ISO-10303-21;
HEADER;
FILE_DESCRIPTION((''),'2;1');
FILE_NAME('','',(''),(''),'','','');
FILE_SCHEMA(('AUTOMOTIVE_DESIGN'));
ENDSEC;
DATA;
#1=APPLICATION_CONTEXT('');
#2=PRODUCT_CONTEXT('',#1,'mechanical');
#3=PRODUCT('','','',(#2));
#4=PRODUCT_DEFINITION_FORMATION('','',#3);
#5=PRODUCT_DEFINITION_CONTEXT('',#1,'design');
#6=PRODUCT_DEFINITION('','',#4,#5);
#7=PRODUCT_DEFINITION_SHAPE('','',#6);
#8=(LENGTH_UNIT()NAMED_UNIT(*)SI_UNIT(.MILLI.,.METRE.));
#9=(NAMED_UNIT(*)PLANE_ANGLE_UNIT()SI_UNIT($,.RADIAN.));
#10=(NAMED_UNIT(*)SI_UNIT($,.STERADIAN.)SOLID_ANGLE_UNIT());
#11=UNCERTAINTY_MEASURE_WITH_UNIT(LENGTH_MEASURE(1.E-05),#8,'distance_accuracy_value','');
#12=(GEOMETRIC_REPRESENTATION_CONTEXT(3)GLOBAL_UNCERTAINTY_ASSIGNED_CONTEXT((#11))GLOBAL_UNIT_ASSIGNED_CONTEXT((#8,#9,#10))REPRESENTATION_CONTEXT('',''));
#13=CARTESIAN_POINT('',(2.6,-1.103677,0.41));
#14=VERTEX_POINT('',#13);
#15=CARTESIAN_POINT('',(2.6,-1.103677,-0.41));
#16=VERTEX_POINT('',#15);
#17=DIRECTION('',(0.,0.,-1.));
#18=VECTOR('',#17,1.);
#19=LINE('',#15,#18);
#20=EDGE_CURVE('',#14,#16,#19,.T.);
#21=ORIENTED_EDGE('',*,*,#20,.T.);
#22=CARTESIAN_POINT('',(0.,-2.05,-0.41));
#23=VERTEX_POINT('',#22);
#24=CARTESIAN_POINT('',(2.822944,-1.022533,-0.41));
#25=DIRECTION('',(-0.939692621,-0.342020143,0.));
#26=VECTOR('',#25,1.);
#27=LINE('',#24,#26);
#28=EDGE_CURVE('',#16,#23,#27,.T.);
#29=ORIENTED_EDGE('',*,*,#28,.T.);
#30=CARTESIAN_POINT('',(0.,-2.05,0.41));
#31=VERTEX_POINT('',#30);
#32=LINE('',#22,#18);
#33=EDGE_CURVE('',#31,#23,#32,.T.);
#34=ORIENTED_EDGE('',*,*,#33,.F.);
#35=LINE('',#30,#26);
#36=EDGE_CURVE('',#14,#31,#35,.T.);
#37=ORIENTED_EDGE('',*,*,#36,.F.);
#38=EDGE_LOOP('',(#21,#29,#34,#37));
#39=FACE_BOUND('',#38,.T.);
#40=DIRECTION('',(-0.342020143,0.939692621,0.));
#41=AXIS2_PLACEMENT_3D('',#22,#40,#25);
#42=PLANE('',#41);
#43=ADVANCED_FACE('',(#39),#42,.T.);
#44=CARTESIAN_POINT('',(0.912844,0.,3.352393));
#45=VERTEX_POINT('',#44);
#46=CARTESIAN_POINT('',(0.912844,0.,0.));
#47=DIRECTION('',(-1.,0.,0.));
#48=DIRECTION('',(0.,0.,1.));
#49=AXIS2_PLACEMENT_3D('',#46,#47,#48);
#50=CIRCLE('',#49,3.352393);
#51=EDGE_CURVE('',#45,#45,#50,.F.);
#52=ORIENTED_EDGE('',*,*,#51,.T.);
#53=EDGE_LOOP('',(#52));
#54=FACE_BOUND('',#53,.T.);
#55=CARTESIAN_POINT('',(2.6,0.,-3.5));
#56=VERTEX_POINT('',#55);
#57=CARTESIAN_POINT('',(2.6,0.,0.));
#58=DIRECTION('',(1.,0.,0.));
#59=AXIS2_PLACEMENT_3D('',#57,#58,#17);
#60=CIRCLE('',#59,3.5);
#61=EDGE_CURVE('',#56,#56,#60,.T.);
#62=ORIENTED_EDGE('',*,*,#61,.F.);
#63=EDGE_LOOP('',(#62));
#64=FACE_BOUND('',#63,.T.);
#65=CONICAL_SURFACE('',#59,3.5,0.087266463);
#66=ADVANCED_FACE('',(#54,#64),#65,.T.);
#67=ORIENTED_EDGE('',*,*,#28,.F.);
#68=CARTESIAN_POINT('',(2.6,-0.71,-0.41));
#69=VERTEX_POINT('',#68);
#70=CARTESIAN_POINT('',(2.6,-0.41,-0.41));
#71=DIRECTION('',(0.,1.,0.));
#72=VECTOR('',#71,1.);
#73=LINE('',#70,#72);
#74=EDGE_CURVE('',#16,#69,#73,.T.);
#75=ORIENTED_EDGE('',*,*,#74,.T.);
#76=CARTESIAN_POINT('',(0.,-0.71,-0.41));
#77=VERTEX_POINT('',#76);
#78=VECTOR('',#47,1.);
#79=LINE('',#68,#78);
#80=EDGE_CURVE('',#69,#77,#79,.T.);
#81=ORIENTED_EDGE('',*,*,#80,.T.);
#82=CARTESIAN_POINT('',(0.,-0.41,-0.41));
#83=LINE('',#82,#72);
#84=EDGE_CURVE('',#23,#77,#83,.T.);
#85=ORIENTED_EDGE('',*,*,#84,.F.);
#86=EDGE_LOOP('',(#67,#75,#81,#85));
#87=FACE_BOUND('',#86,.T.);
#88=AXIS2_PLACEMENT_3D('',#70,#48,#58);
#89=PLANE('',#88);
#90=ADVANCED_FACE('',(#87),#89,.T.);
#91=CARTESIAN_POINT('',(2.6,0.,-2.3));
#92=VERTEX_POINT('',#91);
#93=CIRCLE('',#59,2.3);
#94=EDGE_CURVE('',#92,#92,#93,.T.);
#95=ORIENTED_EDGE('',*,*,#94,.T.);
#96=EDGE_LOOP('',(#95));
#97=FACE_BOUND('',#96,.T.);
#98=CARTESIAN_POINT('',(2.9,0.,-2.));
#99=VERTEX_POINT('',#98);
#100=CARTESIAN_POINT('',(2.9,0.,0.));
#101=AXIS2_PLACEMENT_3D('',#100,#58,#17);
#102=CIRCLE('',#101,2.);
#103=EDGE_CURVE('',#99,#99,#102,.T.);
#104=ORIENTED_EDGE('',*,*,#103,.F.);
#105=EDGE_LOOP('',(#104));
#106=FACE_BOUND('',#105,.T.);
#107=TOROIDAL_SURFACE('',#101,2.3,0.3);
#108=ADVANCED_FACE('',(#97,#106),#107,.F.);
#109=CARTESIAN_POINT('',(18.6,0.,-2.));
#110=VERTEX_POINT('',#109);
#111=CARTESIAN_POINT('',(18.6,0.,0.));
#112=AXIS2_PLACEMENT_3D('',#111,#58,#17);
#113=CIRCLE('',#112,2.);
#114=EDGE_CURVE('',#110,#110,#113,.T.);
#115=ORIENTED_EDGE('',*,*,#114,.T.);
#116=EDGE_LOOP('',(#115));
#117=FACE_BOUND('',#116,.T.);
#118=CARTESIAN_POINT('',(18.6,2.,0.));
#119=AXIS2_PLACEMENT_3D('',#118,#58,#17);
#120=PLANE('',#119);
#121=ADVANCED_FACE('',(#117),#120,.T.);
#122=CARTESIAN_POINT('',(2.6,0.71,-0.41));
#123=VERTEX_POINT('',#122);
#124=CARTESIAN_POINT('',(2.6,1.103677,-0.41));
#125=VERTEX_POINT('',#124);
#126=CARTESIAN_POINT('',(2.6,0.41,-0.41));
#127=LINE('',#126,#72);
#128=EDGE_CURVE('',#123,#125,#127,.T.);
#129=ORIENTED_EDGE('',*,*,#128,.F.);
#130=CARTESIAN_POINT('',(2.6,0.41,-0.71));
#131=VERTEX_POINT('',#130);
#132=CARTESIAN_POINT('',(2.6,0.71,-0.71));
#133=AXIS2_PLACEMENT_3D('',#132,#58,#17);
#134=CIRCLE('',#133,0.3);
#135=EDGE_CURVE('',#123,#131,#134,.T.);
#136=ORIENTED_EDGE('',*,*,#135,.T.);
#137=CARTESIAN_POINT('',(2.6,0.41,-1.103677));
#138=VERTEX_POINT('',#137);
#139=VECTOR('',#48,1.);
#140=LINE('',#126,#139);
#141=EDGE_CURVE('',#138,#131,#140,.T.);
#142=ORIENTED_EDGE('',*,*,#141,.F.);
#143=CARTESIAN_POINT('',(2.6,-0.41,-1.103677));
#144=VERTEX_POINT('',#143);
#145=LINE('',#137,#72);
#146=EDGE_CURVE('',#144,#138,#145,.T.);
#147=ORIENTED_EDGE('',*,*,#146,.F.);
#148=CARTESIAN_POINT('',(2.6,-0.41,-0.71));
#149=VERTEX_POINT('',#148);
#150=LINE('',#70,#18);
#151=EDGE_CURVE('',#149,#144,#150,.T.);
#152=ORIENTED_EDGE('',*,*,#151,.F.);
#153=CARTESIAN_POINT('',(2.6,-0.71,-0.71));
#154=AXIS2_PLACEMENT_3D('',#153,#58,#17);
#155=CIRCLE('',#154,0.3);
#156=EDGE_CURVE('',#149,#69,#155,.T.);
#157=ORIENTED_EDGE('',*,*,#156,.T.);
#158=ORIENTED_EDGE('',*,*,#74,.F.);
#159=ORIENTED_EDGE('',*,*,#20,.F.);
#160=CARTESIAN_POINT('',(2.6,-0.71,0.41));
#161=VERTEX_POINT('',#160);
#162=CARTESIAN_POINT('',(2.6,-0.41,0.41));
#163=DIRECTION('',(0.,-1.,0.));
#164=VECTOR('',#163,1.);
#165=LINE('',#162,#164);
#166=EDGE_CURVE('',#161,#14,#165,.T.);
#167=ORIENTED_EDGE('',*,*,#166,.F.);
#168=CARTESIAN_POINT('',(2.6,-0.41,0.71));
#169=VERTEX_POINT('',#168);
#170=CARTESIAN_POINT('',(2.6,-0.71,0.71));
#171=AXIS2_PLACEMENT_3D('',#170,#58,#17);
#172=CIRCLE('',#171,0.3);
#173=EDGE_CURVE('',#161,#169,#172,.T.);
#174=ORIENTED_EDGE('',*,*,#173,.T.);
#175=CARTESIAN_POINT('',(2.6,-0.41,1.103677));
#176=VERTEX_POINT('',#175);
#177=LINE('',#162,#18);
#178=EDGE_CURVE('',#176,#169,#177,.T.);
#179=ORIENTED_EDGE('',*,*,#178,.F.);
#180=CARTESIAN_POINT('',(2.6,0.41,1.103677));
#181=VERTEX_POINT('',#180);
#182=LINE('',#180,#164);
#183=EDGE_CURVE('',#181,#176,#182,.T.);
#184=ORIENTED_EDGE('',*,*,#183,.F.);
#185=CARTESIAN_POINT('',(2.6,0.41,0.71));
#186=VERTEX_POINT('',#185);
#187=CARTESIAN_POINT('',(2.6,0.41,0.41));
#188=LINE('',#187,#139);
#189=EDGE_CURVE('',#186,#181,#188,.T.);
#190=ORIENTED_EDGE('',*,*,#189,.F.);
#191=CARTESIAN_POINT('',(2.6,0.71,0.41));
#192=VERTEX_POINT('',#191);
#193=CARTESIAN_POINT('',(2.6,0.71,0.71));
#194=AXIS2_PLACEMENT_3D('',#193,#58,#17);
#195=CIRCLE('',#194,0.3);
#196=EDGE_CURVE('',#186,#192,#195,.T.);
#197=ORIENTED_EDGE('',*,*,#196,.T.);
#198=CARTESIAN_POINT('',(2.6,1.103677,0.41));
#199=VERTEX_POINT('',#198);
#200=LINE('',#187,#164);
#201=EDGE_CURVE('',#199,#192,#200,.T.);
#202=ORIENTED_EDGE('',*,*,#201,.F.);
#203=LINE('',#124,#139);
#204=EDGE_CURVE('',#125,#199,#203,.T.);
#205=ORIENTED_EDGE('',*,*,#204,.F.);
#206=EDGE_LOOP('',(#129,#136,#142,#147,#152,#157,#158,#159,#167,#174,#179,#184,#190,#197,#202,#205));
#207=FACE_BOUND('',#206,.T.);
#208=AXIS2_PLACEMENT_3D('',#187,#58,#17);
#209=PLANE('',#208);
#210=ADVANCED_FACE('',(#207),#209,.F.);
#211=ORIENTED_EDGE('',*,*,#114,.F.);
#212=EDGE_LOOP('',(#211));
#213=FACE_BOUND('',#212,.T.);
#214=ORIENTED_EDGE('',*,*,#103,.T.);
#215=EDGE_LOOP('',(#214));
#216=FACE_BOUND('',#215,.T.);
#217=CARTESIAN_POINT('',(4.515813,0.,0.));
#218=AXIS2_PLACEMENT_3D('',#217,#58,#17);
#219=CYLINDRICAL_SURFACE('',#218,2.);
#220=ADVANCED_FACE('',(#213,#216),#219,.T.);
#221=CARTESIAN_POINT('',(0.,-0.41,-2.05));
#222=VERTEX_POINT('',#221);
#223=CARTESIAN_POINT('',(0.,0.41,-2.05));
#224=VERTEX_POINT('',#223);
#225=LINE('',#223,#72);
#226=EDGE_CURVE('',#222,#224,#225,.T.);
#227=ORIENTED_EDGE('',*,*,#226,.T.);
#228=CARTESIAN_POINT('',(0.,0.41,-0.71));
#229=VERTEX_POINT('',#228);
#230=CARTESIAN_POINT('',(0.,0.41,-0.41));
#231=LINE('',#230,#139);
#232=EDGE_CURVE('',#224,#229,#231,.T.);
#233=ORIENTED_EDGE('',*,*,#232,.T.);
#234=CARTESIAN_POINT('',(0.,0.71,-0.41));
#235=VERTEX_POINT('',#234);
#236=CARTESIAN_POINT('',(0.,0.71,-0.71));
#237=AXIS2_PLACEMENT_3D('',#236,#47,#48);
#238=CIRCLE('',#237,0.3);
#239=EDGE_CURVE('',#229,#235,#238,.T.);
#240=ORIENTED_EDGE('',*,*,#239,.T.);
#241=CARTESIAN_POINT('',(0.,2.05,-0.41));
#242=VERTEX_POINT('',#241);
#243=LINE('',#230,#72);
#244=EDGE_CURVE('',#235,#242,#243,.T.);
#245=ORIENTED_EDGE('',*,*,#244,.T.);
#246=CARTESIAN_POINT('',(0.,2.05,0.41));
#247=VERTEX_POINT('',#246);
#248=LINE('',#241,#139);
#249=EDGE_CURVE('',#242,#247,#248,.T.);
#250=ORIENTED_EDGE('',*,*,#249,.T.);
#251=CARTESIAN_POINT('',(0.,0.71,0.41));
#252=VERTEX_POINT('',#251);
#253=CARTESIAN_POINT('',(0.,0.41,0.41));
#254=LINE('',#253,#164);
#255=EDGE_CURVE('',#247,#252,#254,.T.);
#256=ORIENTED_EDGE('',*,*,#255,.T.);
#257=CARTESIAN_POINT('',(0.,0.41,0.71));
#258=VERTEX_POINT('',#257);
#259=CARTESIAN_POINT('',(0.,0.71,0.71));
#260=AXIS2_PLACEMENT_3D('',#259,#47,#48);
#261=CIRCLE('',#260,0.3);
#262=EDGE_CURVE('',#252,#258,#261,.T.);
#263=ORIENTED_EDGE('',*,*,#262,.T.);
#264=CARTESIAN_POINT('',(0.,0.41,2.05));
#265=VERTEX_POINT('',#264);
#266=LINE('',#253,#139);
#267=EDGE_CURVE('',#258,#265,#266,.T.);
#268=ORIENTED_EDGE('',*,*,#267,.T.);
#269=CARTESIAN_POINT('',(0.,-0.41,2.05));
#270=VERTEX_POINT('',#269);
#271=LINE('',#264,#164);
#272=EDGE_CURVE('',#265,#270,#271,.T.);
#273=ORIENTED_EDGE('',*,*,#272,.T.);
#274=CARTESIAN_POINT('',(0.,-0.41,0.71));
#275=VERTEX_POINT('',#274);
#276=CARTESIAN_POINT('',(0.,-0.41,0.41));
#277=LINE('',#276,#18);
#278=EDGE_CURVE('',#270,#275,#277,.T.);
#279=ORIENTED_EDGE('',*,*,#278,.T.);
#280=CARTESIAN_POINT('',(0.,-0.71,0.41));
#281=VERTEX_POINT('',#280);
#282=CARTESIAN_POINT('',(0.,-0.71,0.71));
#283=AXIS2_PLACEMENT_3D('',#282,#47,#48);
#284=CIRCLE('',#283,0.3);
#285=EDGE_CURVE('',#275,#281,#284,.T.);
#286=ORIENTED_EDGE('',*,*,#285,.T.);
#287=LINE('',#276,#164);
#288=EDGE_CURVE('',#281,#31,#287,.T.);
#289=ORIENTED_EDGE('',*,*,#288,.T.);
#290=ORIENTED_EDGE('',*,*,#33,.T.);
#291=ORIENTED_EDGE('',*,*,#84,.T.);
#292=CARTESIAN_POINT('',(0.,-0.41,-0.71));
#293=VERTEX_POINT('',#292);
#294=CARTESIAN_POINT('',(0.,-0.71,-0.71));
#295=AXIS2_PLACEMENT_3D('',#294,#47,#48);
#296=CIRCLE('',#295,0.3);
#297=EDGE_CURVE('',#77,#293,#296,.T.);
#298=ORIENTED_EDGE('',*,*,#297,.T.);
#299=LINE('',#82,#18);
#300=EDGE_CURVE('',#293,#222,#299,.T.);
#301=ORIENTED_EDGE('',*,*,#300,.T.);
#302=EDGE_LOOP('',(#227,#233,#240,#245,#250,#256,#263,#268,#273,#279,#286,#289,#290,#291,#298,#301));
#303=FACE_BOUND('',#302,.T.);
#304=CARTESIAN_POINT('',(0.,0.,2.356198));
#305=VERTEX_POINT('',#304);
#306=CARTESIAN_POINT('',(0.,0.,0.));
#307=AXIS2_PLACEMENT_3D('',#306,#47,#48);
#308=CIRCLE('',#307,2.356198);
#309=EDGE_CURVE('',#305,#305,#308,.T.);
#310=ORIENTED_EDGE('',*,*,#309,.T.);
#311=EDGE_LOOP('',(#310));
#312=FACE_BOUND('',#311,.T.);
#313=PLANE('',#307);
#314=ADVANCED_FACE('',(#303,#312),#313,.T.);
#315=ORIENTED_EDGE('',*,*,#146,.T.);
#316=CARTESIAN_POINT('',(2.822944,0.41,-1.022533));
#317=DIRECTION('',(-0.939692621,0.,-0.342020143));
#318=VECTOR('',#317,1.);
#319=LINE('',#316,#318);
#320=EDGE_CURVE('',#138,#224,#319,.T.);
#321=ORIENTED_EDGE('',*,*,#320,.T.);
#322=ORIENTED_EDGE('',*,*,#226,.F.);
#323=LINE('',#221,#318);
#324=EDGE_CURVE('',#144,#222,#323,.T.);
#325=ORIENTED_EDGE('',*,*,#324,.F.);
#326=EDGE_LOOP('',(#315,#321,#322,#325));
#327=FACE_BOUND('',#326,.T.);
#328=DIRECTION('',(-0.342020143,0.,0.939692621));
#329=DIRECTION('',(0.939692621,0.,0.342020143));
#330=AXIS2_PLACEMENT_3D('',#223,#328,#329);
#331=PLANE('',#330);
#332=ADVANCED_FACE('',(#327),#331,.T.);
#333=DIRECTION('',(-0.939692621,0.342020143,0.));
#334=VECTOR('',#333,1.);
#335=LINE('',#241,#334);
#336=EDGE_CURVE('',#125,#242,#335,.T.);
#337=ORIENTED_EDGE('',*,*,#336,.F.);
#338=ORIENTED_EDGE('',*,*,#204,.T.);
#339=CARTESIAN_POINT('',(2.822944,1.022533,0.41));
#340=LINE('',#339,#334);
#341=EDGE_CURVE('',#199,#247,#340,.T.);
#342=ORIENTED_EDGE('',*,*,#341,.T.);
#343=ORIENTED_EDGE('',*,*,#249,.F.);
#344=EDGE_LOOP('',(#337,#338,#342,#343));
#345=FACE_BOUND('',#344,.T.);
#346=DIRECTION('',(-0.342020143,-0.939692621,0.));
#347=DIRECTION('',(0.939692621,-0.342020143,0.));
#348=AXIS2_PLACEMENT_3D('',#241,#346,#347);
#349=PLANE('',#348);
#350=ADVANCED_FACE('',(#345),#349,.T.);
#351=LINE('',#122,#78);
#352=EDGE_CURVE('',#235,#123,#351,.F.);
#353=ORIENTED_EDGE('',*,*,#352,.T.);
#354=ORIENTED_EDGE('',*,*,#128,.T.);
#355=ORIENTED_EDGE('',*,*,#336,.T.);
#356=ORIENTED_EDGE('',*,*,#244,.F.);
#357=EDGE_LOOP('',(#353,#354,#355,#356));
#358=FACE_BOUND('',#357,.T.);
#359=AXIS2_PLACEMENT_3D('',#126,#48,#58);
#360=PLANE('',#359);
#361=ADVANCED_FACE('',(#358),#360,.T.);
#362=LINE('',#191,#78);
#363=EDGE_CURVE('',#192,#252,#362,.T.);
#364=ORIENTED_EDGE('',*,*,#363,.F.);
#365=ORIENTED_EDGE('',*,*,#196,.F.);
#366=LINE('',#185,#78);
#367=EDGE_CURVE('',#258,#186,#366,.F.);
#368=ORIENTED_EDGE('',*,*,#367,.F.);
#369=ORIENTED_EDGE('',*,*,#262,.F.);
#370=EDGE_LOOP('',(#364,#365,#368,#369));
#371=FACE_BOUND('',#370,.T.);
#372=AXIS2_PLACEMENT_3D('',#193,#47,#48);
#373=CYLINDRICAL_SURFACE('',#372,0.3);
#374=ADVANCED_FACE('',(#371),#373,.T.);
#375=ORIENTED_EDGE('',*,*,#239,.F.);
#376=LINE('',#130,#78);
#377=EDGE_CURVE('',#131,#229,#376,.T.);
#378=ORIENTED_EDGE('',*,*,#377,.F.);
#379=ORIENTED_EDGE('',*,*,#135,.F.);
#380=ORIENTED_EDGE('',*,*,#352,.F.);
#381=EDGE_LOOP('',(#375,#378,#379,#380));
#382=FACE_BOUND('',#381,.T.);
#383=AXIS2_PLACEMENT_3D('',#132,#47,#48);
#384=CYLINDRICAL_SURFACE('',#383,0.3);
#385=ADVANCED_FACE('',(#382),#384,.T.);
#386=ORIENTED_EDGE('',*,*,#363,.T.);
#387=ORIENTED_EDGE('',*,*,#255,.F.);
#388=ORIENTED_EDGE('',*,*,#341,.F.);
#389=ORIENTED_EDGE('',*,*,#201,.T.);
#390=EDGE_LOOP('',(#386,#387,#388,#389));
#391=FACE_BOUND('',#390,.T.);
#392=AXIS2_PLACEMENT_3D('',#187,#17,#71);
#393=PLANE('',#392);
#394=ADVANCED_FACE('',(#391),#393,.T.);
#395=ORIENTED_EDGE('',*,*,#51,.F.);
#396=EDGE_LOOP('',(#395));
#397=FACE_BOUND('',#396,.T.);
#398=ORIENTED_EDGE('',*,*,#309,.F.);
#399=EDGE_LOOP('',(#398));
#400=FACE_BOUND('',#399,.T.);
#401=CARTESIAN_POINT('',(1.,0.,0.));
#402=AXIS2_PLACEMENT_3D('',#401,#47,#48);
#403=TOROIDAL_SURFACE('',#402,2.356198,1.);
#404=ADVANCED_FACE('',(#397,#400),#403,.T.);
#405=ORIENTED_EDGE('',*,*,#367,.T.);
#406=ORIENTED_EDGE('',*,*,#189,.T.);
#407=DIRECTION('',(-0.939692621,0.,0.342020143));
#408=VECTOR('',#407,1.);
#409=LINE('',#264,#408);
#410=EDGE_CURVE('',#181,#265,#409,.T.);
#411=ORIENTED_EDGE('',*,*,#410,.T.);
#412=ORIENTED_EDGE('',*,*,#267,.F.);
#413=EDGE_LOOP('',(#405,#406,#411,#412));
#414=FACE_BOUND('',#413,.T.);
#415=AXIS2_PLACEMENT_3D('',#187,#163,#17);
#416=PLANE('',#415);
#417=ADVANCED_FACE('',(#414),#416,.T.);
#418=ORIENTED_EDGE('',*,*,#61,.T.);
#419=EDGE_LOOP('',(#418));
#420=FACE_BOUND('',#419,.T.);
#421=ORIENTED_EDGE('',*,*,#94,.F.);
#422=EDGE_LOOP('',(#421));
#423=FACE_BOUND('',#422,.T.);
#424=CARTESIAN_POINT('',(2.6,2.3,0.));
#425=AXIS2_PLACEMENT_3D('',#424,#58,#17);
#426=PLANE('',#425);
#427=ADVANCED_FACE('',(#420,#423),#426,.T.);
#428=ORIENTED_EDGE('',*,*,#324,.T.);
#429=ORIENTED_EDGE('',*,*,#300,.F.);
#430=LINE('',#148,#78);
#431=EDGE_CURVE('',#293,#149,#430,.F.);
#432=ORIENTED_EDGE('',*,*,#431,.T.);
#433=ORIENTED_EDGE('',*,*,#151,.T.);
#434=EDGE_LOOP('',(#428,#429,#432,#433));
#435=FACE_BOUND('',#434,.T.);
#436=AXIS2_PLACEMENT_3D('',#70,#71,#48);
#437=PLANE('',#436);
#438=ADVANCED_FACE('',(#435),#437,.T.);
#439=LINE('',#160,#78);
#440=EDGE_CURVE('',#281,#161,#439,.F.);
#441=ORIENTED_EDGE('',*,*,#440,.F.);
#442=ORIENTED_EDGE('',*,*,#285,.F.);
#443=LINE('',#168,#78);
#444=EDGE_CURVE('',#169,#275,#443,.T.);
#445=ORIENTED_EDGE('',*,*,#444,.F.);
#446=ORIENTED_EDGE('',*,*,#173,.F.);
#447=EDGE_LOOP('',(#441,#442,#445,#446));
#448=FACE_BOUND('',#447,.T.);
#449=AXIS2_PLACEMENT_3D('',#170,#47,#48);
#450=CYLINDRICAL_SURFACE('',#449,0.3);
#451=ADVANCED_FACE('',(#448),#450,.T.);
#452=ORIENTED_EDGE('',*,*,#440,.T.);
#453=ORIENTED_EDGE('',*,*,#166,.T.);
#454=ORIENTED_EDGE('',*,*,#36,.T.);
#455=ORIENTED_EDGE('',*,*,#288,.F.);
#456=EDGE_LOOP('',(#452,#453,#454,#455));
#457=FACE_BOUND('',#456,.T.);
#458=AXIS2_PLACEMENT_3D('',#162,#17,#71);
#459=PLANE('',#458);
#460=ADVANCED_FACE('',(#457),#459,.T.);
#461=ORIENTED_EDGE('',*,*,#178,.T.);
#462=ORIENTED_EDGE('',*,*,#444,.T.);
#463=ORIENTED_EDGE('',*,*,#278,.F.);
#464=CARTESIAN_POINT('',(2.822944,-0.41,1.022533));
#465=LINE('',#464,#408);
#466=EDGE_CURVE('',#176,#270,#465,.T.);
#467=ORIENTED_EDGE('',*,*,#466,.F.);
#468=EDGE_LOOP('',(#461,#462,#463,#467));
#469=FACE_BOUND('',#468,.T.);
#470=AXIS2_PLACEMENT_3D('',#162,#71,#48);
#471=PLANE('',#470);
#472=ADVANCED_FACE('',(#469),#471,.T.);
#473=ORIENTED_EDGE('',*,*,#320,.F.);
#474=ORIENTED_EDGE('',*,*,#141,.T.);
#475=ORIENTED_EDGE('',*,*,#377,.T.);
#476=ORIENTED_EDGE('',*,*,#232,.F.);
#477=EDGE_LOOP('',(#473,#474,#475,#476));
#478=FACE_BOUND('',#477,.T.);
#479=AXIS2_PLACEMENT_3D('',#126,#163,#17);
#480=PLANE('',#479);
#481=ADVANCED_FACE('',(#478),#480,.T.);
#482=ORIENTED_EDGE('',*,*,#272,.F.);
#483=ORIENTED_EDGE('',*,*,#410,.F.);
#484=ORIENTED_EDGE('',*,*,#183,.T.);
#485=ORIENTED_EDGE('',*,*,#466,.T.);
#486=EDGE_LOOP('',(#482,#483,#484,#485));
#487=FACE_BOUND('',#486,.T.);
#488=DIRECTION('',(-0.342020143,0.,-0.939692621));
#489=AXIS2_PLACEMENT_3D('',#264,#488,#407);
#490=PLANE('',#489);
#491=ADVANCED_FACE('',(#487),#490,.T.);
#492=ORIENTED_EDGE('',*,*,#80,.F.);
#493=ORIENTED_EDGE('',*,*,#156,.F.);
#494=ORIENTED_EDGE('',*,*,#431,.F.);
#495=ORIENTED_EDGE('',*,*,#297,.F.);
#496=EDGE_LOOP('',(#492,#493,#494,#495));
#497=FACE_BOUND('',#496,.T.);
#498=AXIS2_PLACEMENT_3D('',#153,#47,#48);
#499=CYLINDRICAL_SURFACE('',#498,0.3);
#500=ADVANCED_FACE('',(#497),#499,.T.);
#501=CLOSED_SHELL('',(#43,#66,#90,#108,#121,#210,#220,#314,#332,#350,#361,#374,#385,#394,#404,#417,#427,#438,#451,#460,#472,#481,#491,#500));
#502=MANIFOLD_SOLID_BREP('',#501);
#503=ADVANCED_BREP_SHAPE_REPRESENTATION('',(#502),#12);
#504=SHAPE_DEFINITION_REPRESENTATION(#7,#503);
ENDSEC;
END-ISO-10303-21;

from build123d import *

# Parameters (mm, degrees)
CROSSRECESS_DEPTH = 2.6
FILLET5_R         = 0.3
HEADFILLET_R      = 1
DRAFT1_ANGLE      = 20


with BuildPart() as part:
    # Sketch1 → Base (revolve)
    with BuildSketch(Plane.XY):
        with BuildLine():
            Line((18.6, 2), (4, 2))
            Line((4, 2), (2.9, 2))
            ThreePointArc((2.9, 2), (2.687867966, 2.087867966), (2.6, 2.3))
            Line((2.6, 2.3), (2.6, 3.5))
            Line((2.6, 3.5), (0, 3.272529475))
            Line((0, 3.272529475), (0, 0))
            Line((0, 0), (18.6, 0))
            Line((18.6, 0), (18.6, 2))
        make_face()
    revolve(axis=Axis((4.515812911, 0, 0), (-1, 0, 0)))

    # Sketch6 → CrossRecess (cut)
    with BuildSketch(Plane(origin=(0, 0, 0), x_dir=(0, 0, -1), z_dir=(1, 0, 0))):
        Polygon((0.41, 0.41), (0.41, 2.05), (-0.41, 2.05), (-0.41, 0.41), (-2.05, 0.41), (-2.05, -0.41), (-0.41, -0.41), (-0.41, -2.05), (0.41, -2.05), (0.41, -0.41), (2.05, -0.41), (2.05, 0.41), align=None)
    extrude(amount=CROSSRECESS_DEPTH, mode=Mode.SUBTRACT)

    # Fillet5
    fillet5_edges = [part.edges().sort_by_distance(p)[0] for p in [
        (1.3, 0.41, 0.41),
        (1.3, -0.41, 0.41),
        (1.3, -0.41, -0.41),
        (1.3, 0.41, -0.41),
    ]]
    fillet(fillet5_edges, radius=FILLET5_R)

    # HeadFillet
    headfillet_edges = [part.edges().sort_by_distance(p)[0] for p in [
        (0, -3.272529475, 0),
    ]]
    fillet(headfillet_edges, radius=HEADFILLET_R)

    # Draft1
    draft1_faces = [part.faces().sort_by_distance(p)[0] for p in [
        (1.3, 0, 2.05),
        (1.3, -2.05, 0),
        (1.3, 0, -2.05),
        (1.3, 2.05, 0),
    ]]
    draft(draft1_faces, Plane(origin=(0, 0, 0), x_dir=(0, 0, -1), z_dir=(-1, 0, 0)), DRAFT1_ANGLE)


solid = part.part
